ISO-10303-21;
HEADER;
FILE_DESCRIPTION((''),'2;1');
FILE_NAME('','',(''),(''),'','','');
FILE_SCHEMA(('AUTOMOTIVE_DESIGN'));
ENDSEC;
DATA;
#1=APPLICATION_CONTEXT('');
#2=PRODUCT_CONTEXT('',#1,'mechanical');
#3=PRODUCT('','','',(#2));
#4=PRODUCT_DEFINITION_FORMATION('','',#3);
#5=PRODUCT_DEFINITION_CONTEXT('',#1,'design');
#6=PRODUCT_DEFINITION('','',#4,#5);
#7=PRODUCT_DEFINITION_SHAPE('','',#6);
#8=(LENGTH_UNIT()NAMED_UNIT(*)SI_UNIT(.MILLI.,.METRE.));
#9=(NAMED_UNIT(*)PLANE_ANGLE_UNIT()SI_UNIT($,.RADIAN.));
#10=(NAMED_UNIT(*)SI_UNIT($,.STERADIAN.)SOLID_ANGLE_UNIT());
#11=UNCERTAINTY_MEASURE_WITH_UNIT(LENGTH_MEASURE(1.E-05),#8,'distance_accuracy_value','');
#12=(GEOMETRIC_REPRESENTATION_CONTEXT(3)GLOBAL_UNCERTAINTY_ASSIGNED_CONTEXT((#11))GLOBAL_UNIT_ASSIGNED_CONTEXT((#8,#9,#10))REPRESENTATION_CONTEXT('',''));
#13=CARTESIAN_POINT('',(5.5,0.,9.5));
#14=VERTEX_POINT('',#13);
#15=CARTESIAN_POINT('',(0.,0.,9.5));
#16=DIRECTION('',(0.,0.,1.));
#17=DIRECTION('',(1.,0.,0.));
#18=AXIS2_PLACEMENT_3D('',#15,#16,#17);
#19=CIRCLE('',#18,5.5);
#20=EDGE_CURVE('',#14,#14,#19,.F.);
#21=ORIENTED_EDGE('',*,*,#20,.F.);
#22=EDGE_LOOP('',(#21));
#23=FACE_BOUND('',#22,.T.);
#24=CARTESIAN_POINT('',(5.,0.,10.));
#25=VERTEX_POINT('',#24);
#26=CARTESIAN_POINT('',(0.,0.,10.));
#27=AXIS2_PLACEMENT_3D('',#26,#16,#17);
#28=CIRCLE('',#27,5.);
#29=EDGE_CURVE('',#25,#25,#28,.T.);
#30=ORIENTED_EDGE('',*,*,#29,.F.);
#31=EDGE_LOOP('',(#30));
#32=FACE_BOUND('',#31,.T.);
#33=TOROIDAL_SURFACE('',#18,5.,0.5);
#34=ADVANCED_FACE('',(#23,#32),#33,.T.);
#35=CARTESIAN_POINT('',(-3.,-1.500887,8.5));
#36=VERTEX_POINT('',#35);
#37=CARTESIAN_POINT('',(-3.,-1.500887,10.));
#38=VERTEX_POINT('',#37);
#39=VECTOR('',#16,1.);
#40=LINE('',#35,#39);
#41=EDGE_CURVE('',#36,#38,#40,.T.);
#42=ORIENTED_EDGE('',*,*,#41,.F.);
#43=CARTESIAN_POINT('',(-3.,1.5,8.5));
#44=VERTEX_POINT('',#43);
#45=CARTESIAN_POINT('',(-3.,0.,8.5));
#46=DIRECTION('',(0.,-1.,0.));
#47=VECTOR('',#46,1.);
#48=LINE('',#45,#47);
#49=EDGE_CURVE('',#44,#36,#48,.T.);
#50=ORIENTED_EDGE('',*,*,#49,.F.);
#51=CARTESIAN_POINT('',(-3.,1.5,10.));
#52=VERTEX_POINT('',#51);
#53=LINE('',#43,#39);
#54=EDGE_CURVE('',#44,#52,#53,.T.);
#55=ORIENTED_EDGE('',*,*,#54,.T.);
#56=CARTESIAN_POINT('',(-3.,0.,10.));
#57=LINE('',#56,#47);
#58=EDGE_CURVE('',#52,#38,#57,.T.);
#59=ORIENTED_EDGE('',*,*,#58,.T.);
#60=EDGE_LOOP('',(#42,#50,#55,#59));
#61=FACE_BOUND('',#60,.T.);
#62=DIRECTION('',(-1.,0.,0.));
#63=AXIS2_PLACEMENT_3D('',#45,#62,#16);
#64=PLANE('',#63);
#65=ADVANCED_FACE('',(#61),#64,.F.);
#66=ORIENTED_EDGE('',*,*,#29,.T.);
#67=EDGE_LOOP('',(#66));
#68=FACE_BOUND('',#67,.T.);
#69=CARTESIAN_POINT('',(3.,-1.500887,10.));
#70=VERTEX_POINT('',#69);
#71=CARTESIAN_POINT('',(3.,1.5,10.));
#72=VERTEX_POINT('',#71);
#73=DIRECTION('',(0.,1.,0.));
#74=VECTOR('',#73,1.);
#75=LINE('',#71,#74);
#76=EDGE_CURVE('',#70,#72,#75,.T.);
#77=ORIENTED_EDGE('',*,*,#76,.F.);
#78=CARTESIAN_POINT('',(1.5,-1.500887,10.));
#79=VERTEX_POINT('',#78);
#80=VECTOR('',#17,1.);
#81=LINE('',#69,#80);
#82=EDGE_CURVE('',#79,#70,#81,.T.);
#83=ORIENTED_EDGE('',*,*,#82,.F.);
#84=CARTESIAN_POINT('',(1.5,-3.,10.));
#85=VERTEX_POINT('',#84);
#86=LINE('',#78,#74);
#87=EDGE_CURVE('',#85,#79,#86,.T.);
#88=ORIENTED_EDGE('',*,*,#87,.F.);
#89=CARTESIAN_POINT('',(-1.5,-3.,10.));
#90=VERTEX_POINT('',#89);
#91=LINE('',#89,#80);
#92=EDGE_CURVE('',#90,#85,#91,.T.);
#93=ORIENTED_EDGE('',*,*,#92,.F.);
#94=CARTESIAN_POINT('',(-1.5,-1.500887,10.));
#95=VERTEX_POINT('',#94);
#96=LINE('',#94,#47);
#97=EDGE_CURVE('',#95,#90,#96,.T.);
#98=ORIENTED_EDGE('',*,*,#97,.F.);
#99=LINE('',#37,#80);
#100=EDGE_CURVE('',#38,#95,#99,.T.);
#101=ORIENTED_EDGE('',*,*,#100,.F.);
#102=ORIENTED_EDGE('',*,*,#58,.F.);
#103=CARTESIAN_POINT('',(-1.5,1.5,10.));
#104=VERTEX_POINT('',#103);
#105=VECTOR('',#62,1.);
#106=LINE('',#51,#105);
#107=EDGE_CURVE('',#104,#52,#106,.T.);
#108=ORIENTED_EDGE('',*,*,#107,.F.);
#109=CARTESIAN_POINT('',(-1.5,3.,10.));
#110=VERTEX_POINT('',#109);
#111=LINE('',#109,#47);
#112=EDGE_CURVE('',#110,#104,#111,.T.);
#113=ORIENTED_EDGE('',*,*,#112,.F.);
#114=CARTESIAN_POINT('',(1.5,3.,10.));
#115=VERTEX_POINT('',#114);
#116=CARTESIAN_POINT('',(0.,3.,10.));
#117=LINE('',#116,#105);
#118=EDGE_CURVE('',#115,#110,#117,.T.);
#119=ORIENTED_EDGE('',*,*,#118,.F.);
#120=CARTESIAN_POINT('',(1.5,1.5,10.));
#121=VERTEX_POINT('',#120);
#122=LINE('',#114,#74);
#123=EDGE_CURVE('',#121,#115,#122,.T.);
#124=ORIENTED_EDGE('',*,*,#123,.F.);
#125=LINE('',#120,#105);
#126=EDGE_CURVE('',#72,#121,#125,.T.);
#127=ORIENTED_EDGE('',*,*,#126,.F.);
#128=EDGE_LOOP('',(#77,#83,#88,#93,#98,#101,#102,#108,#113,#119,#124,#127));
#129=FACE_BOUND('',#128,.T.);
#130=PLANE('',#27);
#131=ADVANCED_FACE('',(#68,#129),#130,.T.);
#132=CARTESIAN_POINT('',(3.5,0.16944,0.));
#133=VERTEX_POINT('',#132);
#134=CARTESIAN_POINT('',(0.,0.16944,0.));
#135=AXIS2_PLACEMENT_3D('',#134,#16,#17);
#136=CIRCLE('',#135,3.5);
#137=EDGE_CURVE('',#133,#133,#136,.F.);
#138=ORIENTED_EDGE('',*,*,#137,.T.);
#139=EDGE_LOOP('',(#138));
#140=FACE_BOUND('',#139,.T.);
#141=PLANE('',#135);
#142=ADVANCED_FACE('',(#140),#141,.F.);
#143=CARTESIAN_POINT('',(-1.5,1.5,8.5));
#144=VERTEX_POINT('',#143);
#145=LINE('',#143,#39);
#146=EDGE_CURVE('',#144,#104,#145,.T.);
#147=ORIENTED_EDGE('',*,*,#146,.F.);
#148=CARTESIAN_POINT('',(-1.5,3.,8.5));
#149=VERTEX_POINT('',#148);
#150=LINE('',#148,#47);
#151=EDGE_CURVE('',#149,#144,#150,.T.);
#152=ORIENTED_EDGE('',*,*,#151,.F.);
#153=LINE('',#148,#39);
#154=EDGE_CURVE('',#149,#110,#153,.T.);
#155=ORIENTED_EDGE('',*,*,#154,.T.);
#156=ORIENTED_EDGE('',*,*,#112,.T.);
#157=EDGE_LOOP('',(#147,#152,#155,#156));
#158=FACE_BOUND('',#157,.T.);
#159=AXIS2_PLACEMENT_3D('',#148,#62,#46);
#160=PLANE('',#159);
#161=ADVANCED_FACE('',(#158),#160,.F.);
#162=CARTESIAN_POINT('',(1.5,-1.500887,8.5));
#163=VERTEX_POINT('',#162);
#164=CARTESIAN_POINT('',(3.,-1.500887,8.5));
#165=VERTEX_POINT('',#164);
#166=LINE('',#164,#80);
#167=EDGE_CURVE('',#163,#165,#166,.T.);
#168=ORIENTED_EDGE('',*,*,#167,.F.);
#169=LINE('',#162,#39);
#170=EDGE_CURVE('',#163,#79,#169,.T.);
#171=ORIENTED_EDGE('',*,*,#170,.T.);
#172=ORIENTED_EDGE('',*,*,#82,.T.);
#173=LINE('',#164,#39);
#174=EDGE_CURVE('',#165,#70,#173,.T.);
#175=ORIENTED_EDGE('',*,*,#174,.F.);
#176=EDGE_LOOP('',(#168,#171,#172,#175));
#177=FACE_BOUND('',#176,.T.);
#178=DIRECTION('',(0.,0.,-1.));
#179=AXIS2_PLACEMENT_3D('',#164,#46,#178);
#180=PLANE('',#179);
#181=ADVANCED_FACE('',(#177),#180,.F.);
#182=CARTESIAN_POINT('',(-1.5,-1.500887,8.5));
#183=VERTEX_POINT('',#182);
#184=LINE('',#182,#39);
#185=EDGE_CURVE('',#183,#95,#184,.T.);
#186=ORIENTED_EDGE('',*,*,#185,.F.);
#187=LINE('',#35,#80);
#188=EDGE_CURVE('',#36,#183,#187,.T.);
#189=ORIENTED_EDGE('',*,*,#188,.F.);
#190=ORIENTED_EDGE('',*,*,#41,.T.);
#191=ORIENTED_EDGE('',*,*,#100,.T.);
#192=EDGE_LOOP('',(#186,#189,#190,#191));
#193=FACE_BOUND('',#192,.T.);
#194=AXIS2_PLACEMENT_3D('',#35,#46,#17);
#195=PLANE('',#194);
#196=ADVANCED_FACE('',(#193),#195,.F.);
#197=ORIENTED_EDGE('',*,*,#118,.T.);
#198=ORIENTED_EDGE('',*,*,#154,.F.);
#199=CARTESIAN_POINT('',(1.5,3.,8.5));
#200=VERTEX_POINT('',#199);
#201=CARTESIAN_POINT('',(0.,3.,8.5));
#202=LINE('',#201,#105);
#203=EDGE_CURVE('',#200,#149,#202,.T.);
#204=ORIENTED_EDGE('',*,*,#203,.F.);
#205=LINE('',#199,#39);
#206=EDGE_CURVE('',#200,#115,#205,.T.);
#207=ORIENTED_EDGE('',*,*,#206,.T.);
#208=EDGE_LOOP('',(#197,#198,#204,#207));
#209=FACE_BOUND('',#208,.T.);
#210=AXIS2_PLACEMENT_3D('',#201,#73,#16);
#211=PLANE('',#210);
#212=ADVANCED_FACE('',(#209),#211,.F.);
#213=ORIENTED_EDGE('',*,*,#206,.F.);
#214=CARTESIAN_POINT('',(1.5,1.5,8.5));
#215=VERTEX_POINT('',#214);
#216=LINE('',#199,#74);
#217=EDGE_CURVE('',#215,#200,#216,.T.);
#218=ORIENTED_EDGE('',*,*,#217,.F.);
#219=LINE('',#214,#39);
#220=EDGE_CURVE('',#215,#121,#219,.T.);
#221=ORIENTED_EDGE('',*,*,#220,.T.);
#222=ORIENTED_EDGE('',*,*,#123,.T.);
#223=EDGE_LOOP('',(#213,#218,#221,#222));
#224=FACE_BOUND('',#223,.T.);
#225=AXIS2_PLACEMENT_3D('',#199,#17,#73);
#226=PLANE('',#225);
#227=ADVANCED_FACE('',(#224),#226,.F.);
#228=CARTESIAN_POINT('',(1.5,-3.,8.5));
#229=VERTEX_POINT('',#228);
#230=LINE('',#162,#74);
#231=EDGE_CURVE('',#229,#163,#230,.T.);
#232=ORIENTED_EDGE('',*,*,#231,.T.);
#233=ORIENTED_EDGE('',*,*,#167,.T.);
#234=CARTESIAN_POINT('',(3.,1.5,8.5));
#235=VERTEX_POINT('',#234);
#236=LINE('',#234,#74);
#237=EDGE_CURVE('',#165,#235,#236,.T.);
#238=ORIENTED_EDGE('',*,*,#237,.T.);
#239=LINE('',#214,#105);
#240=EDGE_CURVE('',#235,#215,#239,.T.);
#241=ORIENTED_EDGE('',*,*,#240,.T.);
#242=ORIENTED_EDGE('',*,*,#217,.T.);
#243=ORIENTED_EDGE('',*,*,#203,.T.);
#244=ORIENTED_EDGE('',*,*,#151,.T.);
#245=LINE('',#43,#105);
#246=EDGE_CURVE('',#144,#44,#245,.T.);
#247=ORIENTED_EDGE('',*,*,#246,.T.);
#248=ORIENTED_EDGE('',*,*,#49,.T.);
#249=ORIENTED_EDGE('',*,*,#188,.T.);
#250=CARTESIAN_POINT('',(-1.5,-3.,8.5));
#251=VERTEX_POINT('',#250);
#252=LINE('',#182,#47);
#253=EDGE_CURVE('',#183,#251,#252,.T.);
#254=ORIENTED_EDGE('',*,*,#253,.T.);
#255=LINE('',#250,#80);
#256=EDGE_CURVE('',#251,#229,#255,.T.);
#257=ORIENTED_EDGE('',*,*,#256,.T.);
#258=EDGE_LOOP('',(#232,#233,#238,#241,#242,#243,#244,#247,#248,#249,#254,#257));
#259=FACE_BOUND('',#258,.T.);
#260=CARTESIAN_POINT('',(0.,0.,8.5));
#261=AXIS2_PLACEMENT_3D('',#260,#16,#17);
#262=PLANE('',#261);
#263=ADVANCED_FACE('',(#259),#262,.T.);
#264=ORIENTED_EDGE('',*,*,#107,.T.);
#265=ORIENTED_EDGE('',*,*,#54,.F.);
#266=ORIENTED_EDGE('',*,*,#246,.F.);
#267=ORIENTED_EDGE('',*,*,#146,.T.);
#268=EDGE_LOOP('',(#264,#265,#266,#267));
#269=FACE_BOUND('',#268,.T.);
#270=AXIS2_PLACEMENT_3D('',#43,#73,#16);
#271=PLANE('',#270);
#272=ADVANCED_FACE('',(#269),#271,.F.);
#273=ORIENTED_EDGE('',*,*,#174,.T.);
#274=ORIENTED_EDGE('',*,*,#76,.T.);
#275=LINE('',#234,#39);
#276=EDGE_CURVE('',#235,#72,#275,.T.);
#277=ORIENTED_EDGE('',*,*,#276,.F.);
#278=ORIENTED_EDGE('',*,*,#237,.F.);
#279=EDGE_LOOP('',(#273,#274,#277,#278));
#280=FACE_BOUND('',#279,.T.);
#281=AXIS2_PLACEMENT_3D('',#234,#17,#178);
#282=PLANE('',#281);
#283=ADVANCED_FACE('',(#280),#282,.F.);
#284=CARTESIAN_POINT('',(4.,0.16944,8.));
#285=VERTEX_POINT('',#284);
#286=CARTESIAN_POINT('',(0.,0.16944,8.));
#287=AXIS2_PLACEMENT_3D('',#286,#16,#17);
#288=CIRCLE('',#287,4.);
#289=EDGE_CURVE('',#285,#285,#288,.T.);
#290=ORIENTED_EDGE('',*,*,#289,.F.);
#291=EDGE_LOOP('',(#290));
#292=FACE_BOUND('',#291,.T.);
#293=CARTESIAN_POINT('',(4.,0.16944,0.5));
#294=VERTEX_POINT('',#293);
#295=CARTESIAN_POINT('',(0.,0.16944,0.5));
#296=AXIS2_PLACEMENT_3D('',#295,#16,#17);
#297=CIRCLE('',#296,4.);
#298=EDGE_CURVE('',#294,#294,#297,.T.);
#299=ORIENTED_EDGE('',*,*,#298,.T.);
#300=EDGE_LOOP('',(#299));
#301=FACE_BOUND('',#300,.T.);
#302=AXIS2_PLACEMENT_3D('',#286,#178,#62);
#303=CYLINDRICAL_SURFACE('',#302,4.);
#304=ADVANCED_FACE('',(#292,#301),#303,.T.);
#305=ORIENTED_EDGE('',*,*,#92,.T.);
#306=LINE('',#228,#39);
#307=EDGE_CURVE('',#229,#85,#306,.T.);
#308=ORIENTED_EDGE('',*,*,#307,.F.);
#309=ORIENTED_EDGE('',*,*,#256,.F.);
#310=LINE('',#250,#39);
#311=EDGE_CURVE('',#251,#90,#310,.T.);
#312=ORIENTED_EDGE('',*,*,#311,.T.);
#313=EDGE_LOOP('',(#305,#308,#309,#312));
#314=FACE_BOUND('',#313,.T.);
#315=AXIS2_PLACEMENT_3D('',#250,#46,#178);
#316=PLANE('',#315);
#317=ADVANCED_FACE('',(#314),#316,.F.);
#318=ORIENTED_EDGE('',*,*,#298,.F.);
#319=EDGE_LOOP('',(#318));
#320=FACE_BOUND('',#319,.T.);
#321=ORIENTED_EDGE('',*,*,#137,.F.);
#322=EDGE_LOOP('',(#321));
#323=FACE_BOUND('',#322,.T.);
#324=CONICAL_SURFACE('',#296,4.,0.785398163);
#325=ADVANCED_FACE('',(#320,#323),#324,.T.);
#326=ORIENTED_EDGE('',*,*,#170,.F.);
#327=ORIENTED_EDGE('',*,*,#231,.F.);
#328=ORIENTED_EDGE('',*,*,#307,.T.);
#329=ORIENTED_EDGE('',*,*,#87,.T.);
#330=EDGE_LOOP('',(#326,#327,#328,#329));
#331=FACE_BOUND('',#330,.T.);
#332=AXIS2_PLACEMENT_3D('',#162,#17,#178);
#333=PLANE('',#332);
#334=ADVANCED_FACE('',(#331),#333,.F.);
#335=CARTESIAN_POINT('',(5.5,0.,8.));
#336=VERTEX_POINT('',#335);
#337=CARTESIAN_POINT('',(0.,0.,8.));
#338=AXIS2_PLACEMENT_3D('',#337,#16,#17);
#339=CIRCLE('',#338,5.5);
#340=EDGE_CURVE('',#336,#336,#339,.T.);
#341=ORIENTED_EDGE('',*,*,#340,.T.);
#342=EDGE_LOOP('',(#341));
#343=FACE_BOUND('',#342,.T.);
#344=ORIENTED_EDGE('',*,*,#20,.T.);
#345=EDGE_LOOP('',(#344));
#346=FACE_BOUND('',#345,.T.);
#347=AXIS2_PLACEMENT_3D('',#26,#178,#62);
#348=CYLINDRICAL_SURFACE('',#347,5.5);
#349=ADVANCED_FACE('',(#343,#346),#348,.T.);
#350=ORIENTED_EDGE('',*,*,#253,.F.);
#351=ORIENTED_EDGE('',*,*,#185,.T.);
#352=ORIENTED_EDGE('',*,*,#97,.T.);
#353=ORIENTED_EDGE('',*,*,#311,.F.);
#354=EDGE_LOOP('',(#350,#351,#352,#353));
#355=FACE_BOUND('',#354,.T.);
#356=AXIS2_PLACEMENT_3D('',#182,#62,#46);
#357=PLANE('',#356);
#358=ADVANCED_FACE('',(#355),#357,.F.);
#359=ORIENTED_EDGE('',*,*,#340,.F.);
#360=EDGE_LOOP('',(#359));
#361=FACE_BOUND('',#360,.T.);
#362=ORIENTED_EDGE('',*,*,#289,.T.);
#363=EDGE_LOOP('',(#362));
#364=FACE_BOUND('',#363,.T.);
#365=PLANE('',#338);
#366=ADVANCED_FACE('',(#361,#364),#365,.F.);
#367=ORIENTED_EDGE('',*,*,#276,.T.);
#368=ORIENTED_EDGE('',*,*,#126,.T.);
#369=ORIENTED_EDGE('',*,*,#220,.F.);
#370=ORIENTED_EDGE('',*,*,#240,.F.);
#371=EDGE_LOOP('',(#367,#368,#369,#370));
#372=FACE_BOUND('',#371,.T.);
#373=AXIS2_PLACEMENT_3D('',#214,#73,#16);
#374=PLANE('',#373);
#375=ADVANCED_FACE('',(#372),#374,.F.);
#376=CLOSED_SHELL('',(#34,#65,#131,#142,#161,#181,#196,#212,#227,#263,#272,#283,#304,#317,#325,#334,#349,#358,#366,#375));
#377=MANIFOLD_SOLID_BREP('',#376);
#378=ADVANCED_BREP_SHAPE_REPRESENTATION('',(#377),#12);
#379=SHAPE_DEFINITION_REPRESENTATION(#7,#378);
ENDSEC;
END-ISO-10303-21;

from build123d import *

# Parameters (mm, degrees)
SKETCH1_R           = 4
BOSS_EXTRUDE1_DEPTH = 8
SKETCH2_R           = 5.5
BOSS_EXTRUDE2_DEPTH = 2
CHAMFER1_SIZE       = 0.5
CUT_EXTRUDE1_DEPTH  = 1.5
FILLET1_R           = 0.5


with BuildPart() as part:
    # Sketch1 → Boss-Extrude1 (new body)
    with BuildSketch(Plane.XY):
        with Locations((0, 0.169439546)):
            Circle(SKETCH1_R)
    extrude(amount=BOSS_EXTRUDE1_DEPTH)

    # Sketch2 → Boss-Extrude2 (add)
    with BuildSketch(Plane.XY.offset(8)):
        Circle(SKETCH2_R)
    extrude(amount=BOSS_EXTRUDE2_DEPTH)

    # Chamfer1
    chamfer1_edges = [part.edges().sort_by_distance(p)[0] for p in [
        (-4, 0.169439546, 0),
    ]]
    chamfer(chamfer1_edges, length=CHAMFER1_SIZE)

    # Sketch4 → Cut-Extrude1 (cut)
    with BuildSketch(Plane.XY.offset(10)):
        Polygon((1.5, 1.5), (3, 1.5), (3, -1.50088727), (1.5, -1.50088727), (1.5, -3), (-1.5, -3), (-1.5, -1.50088727), (-3, -1.50088727), (-3, 0), (-3, 1.5), (-1.5, 1.5), (-1.5, 3), (0, 3), (1.5, 3), align=None)
    extrude(amount=-CUT_EXTRUDE1_DEPTH, mode=Mode.SUBTRACT)

    # Fillet1
    fillet1_edges = [part.edges().sort_by_distance(p)[0] for p in [
        (-5.5, 0, 10),
    ]]
    fillet(fillet1_edges, radius=FILLET1_R)


solid = part.part
